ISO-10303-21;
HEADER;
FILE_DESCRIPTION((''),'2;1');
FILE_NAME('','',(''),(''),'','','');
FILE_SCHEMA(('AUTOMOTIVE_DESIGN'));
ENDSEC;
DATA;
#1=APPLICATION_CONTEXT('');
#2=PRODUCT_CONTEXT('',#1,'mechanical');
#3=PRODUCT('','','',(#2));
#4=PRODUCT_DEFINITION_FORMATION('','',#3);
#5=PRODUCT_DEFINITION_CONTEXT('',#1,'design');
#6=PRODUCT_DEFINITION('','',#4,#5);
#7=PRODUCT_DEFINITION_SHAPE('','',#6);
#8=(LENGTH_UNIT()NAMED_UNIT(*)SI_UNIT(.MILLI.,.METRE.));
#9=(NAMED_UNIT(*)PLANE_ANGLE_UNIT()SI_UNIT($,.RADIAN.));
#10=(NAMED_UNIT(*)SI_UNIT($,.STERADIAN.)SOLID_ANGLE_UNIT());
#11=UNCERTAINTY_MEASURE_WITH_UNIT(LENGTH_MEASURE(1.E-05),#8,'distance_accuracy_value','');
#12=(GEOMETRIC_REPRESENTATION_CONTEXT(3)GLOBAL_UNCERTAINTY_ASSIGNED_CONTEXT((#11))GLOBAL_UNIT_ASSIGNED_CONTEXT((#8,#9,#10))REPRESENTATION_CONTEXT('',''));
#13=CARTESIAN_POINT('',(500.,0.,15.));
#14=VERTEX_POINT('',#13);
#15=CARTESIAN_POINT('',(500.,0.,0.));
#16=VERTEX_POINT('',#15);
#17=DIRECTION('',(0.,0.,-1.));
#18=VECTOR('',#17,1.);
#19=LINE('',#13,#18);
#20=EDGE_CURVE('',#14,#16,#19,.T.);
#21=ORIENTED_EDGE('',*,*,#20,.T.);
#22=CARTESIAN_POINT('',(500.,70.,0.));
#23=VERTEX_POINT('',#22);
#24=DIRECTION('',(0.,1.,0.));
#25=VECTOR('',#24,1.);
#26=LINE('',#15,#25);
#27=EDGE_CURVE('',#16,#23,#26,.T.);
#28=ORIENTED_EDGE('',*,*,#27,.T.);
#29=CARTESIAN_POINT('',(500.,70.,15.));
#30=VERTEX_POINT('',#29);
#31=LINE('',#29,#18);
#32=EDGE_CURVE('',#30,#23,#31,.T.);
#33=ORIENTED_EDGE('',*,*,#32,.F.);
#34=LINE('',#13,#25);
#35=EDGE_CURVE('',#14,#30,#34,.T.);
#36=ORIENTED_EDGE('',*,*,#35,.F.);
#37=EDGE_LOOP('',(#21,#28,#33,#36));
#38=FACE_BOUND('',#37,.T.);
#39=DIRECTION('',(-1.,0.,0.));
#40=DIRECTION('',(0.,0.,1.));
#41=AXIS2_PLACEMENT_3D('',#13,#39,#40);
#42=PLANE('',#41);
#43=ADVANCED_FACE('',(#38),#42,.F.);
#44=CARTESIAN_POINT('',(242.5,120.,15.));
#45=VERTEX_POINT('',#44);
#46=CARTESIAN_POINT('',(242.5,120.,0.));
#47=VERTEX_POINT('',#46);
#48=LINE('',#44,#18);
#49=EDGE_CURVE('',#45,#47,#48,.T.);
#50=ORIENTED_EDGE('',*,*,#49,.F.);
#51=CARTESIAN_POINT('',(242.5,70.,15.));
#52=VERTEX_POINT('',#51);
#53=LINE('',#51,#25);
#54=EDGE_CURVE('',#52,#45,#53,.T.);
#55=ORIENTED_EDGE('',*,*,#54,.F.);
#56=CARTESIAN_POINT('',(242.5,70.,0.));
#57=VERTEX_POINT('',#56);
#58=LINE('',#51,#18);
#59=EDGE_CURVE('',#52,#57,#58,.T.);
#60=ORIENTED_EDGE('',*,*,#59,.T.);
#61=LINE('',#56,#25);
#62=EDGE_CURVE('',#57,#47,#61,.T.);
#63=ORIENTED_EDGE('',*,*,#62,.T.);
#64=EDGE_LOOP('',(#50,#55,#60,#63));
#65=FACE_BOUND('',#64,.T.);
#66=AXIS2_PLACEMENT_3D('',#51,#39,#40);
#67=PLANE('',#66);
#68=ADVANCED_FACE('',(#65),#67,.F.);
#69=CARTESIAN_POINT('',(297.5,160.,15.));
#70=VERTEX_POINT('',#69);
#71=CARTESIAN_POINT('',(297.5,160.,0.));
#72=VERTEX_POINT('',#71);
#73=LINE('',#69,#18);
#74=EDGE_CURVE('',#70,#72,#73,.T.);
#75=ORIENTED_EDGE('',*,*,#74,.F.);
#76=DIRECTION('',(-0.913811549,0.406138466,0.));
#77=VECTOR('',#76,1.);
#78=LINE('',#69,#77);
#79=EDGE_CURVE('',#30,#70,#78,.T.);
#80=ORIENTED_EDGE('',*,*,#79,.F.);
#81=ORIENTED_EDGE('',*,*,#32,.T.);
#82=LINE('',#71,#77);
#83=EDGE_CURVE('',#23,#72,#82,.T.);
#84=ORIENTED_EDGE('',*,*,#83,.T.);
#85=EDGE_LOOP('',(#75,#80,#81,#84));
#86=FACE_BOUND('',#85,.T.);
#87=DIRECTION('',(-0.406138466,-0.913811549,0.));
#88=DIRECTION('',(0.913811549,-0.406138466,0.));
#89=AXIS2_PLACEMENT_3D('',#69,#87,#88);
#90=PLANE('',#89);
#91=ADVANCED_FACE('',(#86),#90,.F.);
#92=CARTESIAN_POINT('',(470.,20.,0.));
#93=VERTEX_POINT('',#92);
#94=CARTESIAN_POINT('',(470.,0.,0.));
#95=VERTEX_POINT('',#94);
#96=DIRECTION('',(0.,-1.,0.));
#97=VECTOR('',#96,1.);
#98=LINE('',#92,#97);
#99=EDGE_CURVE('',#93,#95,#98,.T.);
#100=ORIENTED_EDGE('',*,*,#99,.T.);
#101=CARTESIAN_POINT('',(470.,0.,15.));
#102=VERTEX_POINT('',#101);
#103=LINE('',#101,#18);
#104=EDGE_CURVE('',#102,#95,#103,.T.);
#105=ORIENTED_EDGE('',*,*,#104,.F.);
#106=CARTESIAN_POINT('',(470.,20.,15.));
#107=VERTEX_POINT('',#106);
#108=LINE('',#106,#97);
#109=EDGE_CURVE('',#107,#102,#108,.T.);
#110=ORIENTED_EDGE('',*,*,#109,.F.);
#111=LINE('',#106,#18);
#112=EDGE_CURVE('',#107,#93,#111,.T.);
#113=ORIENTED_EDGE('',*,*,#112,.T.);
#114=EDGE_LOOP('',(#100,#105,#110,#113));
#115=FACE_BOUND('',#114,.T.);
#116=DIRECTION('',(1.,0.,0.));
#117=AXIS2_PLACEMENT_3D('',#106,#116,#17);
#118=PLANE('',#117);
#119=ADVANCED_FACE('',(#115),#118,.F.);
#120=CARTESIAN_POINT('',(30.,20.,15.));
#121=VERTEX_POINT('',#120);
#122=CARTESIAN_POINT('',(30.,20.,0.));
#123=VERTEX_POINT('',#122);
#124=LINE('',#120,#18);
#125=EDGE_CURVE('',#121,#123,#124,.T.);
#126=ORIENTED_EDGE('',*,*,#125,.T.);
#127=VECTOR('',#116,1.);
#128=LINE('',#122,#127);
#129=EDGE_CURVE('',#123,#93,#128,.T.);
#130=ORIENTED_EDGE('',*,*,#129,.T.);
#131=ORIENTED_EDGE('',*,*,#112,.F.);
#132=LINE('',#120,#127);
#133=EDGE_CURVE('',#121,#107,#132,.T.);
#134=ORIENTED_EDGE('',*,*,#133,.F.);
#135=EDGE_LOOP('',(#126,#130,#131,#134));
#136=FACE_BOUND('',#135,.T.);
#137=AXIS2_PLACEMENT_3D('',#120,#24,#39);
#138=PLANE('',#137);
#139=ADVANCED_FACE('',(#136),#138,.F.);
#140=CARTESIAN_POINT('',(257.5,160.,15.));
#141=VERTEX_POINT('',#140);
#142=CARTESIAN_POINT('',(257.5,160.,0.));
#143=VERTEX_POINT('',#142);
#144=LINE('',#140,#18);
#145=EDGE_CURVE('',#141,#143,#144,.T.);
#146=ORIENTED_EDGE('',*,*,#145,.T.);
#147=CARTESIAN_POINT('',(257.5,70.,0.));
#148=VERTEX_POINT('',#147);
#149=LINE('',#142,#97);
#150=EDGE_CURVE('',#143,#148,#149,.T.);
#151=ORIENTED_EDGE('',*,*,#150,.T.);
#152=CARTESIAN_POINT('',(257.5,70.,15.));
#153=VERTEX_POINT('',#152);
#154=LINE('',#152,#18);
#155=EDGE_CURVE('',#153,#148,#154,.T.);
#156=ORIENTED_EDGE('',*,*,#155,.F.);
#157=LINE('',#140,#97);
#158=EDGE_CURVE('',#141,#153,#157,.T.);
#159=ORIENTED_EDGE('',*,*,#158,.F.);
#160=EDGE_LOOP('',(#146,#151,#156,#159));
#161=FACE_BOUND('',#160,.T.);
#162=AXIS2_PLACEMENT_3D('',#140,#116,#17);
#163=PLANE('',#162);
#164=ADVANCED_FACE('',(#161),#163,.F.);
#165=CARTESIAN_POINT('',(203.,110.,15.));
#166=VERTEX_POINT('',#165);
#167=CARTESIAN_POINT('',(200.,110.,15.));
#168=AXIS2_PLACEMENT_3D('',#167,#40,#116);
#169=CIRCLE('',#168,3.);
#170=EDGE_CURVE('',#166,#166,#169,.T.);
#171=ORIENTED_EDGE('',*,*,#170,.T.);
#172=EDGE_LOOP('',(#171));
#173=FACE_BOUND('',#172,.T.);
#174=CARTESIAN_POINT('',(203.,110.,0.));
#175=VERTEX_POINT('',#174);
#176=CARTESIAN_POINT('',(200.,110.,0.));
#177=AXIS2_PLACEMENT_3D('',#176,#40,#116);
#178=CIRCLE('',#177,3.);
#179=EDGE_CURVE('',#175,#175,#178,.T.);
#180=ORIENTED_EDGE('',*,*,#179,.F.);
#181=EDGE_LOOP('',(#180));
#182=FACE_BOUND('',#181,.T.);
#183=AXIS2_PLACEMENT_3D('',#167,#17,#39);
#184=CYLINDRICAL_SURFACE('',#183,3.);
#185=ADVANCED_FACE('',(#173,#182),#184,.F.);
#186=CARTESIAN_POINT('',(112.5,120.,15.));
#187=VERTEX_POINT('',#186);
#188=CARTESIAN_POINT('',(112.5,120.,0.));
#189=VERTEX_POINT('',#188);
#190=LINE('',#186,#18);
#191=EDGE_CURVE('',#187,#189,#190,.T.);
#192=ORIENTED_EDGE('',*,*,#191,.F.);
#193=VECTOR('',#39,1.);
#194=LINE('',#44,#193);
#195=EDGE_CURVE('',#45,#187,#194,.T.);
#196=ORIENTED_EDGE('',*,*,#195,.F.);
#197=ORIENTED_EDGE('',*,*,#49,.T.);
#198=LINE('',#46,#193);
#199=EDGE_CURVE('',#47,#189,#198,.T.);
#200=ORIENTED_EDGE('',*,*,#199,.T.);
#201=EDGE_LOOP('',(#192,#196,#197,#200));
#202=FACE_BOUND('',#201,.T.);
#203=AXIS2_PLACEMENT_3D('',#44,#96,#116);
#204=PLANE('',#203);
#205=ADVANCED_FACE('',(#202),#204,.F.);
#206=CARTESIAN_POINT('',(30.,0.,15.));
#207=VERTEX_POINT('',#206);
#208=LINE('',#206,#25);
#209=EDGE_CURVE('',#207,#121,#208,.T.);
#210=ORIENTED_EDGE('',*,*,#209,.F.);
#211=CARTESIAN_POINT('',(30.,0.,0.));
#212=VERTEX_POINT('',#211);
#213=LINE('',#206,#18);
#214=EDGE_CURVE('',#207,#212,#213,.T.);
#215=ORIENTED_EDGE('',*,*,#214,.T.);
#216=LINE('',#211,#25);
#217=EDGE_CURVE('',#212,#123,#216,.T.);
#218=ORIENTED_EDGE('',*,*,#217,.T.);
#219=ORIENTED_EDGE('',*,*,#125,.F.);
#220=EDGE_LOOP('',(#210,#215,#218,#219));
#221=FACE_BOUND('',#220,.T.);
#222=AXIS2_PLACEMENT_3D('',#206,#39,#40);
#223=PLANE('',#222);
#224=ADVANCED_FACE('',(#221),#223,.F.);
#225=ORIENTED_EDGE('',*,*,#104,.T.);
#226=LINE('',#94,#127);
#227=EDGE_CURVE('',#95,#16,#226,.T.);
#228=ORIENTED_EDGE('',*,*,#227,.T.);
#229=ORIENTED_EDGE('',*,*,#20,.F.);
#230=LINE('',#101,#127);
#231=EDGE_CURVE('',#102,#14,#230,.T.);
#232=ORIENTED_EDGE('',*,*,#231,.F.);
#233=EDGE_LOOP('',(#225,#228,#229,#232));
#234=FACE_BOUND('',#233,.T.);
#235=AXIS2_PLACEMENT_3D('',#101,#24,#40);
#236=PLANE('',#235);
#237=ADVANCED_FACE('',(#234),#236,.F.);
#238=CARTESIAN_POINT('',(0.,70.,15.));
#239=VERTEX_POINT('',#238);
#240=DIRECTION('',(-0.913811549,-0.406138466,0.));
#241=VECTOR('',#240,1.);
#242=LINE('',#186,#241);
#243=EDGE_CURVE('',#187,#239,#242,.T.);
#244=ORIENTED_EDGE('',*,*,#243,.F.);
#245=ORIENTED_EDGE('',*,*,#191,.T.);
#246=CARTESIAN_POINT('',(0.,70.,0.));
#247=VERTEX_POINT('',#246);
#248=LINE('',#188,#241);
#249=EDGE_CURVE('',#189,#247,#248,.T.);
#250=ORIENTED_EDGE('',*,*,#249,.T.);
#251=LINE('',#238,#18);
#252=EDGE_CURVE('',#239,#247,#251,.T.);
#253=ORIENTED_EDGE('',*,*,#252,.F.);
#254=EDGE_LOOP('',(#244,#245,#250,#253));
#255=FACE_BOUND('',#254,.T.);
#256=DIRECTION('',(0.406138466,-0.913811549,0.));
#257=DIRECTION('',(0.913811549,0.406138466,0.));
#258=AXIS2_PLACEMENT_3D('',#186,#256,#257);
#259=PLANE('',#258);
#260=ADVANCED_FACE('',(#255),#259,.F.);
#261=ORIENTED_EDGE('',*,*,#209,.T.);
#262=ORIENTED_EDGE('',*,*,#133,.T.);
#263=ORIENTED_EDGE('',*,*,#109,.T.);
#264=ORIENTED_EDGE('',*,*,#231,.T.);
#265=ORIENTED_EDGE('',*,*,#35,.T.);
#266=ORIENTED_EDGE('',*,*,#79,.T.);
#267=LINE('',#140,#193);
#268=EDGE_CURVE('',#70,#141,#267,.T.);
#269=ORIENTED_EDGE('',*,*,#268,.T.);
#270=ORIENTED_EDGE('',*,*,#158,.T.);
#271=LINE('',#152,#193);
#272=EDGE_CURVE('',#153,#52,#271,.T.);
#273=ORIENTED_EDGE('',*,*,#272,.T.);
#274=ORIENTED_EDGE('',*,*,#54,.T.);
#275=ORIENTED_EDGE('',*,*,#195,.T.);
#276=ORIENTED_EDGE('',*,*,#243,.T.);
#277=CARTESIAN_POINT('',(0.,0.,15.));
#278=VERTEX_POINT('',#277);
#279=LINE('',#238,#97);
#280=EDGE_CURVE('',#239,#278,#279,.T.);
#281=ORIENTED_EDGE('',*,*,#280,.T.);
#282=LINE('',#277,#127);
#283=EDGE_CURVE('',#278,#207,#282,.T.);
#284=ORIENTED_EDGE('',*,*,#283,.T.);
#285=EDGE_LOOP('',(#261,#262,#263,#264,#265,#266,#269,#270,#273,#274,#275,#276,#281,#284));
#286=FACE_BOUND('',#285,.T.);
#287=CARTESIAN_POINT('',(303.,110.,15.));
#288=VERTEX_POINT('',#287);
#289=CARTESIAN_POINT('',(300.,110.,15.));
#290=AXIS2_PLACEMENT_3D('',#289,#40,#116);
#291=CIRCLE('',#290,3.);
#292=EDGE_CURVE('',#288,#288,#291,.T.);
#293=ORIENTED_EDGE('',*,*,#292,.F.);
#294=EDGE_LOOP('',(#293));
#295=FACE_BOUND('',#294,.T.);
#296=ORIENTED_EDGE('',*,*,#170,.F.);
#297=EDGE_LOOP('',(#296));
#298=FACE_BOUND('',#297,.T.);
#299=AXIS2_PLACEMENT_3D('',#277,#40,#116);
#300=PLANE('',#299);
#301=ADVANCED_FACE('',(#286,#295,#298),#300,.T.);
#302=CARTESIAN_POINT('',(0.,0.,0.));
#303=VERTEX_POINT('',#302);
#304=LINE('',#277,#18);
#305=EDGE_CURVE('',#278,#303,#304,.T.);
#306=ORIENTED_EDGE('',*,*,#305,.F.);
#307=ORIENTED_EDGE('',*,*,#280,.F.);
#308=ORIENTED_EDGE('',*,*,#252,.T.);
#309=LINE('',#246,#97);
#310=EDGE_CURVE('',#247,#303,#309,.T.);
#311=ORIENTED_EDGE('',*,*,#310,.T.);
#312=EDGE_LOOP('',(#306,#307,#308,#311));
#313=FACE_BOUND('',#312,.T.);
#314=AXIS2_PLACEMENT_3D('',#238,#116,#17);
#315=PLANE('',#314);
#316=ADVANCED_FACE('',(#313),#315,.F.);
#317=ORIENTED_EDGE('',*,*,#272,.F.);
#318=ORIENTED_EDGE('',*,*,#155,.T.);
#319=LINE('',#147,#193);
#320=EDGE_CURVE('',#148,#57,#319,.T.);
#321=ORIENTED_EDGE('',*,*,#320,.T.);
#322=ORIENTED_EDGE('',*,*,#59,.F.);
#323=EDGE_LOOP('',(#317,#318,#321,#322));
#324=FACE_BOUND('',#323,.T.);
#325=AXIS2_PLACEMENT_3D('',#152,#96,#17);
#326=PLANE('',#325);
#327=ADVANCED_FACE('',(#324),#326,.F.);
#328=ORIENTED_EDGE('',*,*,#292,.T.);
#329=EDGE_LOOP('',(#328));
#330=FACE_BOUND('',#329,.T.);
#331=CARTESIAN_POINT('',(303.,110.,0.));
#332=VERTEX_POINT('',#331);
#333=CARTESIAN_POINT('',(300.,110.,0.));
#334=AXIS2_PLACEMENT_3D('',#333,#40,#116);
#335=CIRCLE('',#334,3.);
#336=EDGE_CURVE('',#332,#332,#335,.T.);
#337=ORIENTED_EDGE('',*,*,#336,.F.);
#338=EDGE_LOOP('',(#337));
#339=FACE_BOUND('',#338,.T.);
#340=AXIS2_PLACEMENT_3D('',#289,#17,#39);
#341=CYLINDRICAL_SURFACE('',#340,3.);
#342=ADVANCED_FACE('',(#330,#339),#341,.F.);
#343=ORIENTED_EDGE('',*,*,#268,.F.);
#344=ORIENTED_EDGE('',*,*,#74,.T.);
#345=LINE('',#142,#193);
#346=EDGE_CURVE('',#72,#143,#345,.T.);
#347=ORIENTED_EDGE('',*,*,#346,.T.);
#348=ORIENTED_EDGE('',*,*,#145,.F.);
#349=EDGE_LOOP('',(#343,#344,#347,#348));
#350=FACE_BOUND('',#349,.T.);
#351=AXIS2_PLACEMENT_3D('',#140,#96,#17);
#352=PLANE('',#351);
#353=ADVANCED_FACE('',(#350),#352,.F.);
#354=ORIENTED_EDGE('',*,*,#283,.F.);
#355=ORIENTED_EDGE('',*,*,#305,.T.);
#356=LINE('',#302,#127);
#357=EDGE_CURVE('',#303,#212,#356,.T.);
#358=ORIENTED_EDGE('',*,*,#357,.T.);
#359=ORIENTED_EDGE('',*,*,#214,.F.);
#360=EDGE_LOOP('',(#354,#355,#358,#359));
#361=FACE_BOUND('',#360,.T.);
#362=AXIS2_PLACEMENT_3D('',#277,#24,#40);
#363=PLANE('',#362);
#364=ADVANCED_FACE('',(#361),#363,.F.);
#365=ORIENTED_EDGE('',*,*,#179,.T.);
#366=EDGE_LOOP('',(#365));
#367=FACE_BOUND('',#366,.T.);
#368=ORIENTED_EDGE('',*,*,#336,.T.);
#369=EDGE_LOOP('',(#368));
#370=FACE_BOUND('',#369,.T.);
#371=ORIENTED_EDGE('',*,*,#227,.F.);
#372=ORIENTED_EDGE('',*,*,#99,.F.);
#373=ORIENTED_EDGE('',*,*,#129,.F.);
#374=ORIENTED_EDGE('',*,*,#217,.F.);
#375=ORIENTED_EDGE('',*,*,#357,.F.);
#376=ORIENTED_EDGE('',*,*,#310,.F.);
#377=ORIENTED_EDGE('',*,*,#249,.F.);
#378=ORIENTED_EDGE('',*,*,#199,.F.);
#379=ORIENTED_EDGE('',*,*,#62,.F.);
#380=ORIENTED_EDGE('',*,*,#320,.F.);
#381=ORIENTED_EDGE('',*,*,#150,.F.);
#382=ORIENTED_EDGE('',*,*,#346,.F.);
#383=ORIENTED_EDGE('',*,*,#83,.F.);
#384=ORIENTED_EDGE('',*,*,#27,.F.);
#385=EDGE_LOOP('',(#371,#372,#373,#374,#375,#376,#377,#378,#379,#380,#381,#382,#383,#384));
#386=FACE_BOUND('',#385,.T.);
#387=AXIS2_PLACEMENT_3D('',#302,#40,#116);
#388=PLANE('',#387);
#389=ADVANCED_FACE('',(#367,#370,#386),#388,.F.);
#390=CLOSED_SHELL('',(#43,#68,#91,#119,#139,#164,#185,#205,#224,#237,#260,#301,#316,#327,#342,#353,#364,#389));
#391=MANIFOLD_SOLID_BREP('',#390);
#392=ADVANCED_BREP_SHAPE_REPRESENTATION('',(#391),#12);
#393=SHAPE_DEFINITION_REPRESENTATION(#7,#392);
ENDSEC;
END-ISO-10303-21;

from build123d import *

# Parameters (mm, degrees)
ESQUISSE1_R        = 3
BOSS_EXTRU_1_DEPTH = 15


with BuildPart() as part:
    # Esquisse1 → Boss.-Extru.1 (new body)
    with BuildSketch(Plane.XY):
        Polygon((0, 0), (30, 0), (30, 20), (470, 20), (470, 0), (500, 0), (500, 70), (297.5, 160), (257.5, 160), (257.5, 70), (242.5, 70), (242.5, 120), (112.5, 120), (0, 70), align=None)
        with Locations((200, 110)):
            Circle(ESQUISSE1_R, mode=Mode.SUBTRACT)
        with Locations((300, 110)):
            Circle(ESQUISSE1_R, mode=Mode.SUBTRACT)
    extrude(amount=BOSS_EXTRU_1_DEPTH)


solid = part.part
